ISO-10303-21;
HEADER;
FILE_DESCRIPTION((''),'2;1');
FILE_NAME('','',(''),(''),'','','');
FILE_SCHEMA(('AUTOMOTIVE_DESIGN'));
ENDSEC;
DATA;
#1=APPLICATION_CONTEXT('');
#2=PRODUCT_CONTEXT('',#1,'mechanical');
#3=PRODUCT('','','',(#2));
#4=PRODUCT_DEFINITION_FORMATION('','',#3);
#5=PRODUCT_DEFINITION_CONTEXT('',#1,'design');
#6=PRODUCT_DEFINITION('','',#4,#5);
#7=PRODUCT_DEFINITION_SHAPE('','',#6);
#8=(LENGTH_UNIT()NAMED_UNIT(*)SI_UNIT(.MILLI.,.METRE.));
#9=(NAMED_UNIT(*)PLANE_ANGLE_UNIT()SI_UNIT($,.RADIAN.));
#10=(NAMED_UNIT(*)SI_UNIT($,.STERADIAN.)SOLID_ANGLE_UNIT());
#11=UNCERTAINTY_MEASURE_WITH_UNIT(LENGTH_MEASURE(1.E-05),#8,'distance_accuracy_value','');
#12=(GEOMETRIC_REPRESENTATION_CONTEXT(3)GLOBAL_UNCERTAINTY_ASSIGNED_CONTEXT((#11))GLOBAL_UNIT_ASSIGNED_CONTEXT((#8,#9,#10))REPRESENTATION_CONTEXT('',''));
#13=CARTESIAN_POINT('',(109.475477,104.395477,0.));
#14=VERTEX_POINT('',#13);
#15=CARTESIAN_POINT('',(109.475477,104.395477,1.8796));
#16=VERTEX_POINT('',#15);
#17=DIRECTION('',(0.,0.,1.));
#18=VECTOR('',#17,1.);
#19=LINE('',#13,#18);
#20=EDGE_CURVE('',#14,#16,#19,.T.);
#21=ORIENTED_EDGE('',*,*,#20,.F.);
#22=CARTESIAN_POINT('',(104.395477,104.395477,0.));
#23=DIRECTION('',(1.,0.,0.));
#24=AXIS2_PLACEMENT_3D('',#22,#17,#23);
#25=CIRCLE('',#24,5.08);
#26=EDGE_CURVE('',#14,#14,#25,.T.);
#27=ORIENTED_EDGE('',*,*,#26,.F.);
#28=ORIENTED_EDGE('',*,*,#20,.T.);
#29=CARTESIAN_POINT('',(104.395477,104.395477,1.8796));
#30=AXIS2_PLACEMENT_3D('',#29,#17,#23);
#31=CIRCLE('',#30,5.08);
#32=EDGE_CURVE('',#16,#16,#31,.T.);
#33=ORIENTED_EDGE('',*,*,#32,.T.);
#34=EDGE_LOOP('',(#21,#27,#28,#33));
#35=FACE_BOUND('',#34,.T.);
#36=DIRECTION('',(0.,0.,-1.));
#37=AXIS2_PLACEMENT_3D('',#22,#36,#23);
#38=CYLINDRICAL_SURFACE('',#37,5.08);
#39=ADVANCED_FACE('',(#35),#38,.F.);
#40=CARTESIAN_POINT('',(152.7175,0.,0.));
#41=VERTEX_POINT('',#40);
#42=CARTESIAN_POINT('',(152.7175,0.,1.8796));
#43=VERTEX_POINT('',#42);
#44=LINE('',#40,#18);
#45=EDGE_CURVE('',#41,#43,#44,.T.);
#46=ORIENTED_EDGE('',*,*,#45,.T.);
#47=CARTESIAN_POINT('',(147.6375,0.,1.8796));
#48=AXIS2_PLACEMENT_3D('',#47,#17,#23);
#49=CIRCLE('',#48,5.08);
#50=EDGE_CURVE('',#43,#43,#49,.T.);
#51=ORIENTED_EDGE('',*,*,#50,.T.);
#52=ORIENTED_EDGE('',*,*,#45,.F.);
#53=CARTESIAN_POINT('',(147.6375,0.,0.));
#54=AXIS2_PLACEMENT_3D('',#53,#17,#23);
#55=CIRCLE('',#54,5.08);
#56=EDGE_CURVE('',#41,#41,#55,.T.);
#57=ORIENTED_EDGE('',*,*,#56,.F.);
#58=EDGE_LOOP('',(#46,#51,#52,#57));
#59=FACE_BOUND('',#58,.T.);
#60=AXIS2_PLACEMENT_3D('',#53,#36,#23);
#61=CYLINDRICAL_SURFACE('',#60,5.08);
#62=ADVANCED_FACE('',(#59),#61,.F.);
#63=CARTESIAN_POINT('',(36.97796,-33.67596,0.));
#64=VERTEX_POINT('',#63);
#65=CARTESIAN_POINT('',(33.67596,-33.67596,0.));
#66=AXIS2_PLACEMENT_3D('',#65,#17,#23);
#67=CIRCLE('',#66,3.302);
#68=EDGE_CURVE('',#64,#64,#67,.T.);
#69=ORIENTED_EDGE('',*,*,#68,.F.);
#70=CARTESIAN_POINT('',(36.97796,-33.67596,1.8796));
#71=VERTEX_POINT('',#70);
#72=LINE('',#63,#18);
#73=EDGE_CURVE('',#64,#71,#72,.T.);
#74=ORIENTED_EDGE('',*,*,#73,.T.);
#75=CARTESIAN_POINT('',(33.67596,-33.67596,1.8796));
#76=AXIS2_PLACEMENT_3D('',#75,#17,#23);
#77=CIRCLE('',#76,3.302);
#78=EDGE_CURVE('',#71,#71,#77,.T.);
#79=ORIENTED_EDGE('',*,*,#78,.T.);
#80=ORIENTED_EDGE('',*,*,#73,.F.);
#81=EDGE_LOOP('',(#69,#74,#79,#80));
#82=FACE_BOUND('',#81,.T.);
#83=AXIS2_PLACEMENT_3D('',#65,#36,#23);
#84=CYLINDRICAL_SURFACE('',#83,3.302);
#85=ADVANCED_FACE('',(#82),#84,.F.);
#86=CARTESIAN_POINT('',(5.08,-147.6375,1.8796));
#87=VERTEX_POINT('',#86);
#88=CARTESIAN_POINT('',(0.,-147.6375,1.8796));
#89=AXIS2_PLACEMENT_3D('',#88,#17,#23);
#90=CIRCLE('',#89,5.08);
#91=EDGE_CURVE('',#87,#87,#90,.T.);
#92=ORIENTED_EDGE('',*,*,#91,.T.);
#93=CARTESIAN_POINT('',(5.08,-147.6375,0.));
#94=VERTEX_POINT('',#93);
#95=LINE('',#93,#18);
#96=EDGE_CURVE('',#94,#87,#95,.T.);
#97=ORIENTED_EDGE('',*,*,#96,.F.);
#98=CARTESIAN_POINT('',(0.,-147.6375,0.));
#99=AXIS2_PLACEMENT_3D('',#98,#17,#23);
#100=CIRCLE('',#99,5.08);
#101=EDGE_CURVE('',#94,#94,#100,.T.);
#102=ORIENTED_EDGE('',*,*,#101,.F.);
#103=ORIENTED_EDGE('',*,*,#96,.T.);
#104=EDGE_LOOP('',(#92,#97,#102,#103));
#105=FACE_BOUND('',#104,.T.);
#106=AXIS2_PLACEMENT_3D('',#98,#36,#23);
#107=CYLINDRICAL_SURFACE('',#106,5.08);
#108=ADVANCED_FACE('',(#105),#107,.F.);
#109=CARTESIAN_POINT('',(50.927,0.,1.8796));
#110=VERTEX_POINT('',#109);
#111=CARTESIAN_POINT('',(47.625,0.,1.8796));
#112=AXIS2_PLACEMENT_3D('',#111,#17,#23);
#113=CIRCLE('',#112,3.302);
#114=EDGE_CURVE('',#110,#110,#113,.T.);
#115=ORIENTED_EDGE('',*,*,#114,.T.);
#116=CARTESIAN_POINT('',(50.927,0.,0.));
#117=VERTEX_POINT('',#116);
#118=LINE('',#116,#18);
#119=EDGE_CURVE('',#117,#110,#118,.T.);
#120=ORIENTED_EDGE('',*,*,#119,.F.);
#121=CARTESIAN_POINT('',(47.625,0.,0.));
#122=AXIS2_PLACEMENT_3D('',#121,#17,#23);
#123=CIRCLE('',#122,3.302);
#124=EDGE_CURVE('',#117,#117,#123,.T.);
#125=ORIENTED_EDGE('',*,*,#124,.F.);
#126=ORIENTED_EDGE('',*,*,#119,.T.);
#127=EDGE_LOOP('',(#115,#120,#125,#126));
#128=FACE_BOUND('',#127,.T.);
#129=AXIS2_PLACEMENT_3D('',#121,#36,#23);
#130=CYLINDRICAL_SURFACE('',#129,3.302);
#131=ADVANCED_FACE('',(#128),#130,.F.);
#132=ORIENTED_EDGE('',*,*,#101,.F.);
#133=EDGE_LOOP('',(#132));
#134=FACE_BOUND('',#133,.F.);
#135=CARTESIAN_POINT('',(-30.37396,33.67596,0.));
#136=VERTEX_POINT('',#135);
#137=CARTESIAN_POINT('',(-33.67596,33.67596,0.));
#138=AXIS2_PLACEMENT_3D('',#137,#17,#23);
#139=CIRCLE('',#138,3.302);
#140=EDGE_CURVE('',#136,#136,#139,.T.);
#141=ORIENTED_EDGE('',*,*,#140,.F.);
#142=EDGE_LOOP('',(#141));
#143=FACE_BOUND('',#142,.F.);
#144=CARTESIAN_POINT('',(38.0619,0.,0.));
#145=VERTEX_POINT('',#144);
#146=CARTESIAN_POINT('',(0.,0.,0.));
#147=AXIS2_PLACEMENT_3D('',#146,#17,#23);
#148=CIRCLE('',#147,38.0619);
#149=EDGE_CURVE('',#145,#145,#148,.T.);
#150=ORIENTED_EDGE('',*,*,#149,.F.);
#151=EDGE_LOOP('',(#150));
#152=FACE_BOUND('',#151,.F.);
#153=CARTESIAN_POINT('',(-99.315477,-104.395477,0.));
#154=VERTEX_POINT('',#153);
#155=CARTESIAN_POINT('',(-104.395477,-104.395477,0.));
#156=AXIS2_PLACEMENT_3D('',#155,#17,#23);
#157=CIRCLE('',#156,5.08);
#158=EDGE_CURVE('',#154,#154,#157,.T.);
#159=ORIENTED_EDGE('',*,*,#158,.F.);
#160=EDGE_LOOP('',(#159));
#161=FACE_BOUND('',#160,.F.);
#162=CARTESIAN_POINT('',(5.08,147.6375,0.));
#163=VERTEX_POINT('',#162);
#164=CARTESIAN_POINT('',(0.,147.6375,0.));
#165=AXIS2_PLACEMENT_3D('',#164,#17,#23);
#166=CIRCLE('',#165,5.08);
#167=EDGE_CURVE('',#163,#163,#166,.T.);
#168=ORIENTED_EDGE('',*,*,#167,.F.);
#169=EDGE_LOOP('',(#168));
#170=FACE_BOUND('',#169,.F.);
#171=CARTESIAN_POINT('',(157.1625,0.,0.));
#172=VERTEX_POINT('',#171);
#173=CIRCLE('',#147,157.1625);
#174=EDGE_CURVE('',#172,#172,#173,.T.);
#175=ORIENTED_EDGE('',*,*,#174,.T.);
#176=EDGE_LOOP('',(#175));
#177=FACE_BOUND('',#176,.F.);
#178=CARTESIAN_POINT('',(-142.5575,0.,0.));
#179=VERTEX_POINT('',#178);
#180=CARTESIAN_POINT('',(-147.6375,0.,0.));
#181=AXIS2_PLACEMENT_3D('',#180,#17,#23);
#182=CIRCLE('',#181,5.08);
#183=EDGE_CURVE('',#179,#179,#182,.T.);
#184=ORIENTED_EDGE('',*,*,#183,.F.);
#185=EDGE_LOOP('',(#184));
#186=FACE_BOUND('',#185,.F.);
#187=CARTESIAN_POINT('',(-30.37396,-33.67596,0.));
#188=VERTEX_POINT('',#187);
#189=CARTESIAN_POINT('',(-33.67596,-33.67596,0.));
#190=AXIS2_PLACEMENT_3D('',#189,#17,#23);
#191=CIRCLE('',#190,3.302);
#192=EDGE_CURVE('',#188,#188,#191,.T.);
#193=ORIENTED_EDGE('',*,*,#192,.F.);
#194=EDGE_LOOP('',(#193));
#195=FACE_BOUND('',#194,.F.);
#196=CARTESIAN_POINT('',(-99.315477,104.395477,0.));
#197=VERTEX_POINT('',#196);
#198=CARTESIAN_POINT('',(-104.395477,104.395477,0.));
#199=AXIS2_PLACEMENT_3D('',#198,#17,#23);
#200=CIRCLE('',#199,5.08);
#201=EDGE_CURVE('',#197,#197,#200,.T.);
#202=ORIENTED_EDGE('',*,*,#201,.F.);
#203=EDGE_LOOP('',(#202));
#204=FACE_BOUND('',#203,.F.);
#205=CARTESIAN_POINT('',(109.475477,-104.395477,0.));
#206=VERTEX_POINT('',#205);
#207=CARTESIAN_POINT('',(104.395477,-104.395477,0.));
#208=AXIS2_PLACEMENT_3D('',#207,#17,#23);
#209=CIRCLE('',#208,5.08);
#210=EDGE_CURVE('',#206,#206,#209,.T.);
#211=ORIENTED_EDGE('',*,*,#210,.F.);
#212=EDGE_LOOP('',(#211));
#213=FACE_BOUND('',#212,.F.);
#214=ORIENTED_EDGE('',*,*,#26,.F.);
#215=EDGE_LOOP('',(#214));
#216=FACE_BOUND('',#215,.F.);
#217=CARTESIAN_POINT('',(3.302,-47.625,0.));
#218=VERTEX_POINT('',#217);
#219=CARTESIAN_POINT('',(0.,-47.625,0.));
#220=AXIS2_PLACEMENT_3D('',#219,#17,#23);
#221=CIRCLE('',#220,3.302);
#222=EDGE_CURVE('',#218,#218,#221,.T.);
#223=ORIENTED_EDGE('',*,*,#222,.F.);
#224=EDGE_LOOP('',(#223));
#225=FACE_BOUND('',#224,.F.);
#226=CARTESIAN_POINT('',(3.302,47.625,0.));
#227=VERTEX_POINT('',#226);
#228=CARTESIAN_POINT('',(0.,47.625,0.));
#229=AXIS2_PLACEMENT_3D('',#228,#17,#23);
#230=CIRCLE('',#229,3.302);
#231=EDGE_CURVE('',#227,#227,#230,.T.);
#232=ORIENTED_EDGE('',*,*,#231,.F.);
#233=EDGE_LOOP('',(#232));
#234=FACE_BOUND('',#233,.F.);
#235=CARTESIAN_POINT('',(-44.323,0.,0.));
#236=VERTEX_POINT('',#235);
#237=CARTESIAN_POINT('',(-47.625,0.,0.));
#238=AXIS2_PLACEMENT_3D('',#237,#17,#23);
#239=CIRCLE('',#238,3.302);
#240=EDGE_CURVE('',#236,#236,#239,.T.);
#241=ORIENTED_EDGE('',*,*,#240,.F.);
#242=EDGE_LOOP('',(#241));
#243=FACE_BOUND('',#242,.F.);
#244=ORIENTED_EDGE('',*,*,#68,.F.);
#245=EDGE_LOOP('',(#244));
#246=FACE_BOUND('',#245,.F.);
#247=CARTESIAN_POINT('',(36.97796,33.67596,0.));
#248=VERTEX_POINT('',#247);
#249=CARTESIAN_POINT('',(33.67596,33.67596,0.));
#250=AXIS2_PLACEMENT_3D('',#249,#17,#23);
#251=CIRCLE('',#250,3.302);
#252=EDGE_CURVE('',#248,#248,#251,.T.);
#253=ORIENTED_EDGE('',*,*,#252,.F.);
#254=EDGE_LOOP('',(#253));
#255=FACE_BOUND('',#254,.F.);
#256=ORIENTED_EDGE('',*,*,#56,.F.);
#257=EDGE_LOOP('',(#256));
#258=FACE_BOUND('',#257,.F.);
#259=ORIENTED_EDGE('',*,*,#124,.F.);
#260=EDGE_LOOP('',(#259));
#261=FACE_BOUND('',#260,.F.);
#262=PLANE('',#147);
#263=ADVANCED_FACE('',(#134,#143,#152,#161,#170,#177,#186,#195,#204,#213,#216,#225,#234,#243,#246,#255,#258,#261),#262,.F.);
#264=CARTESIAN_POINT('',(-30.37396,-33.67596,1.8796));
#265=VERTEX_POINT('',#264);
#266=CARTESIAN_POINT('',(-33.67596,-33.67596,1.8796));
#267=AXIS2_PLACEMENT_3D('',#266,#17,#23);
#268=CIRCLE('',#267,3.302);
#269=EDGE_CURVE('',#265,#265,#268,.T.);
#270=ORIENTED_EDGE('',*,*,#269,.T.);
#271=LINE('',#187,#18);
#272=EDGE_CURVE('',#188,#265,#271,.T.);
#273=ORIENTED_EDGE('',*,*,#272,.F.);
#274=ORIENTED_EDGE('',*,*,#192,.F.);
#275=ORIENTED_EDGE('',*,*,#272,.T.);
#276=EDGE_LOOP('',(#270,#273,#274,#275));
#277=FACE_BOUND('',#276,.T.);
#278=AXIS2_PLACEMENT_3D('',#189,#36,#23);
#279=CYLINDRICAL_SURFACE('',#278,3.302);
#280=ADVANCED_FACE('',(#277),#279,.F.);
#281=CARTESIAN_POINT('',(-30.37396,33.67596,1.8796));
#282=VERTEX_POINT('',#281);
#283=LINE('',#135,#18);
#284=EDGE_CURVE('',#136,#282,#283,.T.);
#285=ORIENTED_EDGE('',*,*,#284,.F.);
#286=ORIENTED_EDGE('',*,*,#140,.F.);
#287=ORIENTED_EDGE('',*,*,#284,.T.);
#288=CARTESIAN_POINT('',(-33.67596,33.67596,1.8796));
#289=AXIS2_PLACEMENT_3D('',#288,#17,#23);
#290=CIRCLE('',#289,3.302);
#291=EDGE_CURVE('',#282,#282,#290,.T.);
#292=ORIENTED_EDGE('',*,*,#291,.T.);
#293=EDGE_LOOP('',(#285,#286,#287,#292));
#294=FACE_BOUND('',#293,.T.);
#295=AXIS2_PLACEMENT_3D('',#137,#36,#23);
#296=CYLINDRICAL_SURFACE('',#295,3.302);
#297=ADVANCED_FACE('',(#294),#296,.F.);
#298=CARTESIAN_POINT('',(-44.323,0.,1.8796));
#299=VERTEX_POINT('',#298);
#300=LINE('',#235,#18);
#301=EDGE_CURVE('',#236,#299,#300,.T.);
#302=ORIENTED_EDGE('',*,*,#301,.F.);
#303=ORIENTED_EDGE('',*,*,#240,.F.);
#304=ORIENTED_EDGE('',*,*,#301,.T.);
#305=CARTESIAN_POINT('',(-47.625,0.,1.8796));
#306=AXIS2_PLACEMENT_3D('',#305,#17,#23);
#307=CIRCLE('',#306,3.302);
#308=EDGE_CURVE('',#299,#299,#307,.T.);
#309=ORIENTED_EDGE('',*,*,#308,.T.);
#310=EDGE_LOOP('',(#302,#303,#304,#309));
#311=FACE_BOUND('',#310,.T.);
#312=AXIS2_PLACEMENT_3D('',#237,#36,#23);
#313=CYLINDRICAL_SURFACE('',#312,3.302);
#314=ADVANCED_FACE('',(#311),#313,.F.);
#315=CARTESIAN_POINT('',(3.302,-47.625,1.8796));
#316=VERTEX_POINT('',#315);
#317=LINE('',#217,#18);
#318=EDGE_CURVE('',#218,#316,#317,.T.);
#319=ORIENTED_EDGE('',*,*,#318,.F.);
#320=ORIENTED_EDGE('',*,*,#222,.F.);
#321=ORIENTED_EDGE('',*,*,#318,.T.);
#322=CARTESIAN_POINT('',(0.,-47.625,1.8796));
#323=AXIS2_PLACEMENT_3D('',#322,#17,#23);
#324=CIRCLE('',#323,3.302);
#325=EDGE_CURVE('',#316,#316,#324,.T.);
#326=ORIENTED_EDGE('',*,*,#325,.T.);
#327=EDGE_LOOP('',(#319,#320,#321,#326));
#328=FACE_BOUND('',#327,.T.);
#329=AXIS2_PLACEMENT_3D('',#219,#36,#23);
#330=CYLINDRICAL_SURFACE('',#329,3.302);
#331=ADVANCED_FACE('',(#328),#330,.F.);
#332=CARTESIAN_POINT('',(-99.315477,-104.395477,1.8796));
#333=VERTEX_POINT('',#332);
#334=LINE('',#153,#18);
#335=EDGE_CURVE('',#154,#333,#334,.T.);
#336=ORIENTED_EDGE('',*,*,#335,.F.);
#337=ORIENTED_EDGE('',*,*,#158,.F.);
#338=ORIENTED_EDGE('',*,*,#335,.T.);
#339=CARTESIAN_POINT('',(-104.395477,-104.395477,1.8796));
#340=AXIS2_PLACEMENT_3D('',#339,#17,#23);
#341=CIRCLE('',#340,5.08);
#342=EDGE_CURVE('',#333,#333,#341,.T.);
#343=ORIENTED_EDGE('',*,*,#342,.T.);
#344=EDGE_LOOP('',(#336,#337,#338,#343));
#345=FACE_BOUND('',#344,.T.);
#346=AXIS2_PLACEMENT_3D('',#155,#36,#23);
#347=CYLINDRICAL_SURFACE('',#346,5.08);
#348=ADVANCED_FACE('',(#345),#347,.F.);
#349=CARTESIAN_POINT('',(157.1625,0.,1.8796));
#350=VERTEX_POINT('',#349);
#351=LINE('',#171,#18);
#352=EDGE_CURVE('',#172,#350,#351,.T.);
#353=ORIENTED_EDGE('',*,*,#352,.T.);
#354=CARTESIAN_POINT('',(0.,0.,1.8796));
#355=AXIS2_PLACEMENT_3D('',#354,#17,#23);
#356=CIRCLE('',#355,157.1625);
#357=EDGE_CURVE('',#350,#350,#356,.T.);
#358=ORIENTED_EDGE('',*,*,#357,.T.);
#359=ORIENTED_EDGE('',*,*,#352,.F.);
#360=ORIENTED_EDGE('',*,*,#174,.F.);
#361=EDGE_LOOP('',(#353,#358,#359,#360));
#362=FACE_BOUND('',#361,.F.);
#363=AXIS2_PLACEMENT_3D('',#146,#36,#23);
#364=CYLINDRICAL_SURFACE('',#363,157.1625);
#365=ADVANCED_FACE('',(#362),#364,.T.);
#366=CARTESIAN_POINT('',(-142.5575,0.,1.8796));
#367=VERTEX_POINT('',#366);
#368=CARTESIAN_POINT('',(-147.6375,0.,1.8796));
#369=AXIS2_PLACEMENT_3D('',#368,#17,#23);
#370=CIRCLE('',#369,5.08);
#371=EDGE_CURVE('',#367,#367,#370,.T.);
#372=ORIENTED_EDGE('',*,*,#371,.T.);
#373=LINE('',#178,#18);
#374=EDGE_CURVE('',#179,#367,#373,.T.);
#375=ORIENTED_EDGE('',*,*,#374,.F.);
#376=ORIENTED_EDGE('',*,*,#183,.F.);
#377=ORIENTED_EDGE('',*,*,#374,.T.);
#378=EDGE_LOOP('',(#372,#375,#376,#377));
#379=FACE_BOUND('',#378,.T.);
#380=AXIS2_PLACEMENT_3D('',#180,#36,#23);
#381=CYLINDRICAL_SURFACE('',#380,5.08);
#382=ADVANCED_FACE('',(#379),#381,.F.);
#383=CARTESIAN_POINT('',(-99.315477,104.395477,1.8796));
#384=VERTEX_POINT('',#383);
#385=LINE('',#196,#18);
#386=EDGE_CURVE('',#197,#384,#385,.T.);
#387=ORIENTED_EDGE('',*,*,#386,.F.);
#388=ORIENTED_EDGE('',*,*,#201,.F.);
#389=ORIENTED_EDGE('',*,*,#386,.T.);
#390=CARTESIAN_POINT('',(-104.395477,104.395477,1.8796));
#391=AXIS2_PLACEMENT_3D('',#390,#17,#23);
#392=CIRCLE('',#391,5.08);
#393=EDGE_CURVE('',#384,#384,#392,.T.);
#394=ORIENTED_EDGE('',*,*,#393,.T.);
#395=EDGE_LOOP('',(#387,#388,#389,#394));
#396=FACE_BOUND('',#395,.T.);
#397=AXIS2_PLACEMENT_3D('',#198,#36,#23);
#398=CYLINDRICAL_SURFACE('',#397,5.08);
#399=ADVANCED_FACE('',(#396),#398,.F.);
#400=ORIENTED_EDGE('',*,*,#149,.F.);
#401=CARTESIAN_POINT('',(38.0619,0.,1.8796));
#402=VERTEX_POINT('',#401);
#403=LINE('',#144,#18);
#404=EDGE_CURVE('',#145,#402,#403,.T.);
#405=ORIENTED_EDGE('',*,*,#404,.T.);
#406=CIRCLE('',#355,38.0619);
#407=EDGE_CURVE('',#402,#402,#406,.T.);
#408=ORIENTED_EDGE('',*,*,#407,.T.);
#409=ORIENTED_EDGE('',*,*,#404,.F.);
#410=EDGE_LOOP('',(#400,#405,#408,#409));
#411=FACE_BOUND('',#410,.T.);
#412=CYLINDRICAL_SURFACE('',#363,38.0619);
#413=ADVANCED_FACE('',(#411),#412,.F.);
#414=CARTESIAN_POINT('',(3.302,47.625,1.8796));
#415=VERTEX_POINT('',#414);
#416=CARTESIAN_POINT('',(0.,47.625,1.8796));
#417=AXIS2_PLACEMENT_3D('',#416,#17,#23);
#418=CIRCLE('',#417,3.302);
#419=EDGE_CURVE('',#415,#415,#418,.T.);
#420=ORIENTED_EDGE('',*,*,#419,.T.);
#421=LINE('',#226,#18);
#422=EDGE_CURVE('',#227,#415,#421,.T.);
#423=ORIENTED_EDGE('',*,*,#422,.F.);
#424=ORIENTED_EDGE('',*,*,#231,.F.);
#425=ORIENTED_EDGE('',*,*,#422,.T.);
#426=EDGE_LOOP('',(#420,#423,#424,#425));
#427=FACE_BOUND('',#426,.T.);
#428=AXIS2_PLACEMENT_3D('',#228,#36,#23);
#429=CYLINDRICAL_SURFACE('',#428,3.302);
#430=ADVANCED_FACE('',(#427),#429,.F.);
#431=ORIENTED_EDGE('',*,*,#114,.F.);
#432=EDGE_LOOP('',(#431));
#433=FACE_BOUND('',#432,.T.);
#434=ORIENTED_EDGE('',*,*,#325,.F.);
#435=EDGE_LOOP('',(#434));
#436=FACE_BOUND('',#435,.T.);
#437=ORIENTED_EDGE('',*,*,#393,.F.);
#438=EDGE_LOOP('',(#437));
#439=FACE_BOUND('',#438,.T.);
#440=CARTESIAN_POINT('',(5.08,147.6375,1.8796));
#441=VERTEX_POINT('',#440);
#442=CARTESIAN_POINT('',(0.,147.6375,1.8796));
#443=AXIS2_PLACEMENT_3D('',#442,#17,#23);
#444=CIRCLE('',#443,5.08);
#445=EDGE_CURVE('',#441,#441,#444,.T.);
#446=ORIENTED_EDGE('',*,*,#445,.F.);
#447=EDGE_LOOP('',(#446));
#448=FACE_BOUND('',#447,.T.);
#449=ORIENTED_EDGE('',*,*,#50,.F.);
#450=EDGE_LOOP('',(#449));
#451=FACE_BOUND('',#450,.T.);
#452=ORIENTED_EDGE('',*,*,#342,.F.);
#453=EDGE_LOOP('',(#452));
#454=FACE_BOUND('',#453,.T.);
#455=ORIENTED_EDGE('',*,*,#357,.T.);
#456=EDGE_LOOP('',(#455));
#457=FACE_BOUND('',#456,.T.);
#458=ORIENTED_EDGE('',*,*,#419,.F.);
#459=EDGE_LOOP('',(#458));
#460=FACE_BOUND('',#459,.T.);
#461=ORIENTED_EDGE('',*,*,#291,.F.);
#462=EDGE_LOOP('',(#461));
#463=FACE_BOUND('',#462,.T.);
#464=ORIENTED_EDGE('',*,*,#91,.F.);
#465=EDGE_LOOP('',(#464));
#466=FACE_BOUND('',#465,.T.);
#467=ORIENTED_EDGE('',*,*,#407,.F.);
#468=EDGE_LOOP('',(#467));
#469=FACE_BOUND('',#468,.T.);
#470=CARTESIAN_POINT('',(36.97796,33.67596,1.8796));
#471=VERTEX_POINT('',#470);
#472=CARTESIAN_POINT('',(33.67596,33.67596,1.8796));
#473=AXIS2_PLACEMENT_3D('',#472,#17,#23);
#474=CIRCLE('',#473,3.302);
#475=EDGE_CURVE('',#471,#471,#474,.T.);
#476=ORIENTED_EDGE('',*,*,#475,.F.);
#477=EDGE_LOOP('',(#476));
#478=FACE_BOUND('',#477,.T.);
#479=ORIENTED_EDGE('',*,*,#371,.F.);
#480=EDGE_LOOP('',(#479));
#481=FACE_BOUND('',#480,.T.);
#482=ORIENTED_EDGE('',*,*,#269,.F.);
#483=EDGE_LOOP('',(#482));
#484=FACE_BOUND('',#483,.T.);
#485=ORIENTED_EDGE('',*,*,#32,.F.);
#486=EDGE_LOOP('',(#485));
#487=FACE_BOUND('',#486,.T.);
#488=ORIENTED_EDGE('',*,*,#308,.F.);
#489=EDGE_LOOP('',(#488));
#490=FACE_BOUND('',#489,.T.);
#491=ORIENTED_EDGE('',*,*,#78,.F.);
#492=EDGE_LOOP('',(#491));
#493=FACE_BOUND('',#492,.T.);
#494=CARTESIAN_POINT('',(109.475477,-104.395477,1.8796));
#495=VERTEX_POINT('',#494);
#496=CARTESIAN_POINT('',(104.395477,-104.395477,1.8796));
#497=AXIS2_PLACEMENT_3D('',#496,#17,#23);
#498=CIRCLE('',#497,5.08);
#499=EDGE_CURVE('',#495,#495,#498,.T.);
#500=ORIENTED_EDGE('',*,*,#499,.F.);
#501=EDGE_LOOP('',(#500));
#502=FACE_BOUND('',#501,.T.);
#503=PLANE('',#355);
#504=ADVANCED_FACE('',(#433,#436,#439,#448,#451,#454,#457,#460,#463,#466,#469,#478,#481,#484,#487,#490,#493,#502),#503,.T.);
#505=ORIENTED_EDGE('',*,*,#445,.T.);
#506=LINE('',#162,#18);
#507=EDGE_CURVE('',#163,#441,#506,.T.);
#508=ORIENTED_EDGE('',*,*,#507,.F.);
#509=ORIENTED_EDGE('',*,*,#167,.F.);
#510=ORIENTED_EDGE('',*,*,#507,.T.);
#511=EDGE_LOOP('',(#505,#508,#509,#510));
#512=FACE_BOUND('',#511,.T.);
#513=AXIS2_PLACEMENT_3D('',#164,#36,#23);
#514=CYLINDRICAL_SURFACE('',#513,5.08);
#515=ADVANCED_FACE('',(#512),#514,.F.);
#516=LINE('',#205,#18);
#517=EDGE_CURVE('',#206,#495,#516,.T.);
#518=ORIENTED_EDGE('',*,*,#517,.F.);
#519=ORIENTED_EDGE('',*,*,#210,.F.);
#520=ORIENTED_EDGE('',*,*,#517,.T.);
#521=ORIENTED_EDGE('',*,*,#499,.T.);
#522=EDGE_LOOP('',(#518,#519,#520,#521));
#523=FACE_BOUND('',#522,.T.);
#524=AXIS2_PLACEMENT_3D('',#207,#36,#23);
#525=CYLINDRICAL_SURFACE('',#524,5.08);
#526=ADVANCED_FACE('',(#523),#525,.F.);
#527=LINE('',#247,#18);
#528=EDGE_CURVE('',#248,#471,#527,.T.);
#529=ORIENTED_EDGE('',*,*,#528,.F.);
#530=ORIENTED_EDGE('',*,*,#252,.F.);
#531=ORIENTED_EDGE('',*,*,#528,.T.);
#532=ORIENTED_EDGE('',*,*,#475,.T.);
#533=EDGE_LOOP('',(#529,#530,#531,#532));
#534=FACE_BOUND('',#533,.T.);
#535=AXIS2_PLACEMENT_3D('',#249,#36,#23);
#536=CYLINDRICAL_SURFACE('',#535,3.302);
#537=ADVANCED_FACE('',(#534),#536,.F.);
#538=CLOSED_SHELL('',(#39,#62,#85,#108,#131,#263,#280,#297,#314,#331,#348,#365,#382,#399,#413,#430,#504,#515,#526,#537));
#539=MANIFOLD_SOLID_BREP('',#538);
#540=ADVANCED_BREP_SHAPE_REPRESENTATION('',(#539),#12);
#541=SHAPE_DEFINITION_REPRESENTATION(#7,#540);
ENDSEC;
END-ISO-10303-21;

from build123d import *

# Parameters (mm, degrees)
F0_R     = 157.1625
F0_R_2   = 5.08
F0_R_3   = 3.302
F0_R_4   = 38.0619
F1_DEPTH = 1.8796


with BuildPart() as f1:
    # F0 (on Top) → F1 (new body)
    with BuildSketch(Plane.XY):
        Circle(F0_R)
        with Locations((-104.395477, -104.395477)):
            Circle(F0_R_2, mode=Mode.SUBTRACT)
        with Locations((-33.67596, -33.67596)):
            Circle(F0_R_3, mode=Mode.SUBTRACT)
        with Locations((0, -147.6375)):
            Circle(F0_R_2, mode=Mode.SUBTRACT)
        with Locations((104.395477, -104.395477)):
            Circle(F0_R_2, mode=Mode.SUBTRACT)
        with Locations((0, -47.625)):
            Circle(F0_R_3, mode=Mode.SUBTRACT)
        with Locations((33.67596, -33.67596)):
            Circle(F0_R_3, mode=Mode.SUBTRACT)
        with Locations((-147.6375, 0)):
            Circle(F0_R_2, mode=Mode.SUBTRACT)
        with Locations((-47.625, 0)):
            Circle(F0_R_3, mode=Mode.SUBTRACT)
        with Locations((-33.67596, 33.67596)):
            Circle(F0_R_3, mode=Mode.SUBTRACT)
        with Locations((-104.395477, 104.395477)):
            Circle(F0_R_2, mode=Mode.SUBTRACT)
        Circle(F0_R_4, mode=Mode.SUBTRACT)
        with Locations((33.67596, 33.67596)):
            Circle(F0_R_3, mode=Mode.SUBTRACT)
        with Locations((47.625, 0)):
            Circle(F0_R_3, mode=Mode.SUBTRACT)
        with Locations((0, 47.625)):
            Circle(F0_R_3, mode=Mode.SUBTRACT)
        with Locations((147.6375, 0)):
            Circle(F0_R_2, mode=Mode.SUBTRACT)
        with Locations((0, 147.6375)):
            Circle(F0_R_2, mode=Mode.SUBTRACT)
        with Locations((104.395477, 104.395477)):
            Circle(F0_R_2, mode=Mode.SUBTRACT)
    extrude(amount=F1_DEPTH)


solid = f1.part
